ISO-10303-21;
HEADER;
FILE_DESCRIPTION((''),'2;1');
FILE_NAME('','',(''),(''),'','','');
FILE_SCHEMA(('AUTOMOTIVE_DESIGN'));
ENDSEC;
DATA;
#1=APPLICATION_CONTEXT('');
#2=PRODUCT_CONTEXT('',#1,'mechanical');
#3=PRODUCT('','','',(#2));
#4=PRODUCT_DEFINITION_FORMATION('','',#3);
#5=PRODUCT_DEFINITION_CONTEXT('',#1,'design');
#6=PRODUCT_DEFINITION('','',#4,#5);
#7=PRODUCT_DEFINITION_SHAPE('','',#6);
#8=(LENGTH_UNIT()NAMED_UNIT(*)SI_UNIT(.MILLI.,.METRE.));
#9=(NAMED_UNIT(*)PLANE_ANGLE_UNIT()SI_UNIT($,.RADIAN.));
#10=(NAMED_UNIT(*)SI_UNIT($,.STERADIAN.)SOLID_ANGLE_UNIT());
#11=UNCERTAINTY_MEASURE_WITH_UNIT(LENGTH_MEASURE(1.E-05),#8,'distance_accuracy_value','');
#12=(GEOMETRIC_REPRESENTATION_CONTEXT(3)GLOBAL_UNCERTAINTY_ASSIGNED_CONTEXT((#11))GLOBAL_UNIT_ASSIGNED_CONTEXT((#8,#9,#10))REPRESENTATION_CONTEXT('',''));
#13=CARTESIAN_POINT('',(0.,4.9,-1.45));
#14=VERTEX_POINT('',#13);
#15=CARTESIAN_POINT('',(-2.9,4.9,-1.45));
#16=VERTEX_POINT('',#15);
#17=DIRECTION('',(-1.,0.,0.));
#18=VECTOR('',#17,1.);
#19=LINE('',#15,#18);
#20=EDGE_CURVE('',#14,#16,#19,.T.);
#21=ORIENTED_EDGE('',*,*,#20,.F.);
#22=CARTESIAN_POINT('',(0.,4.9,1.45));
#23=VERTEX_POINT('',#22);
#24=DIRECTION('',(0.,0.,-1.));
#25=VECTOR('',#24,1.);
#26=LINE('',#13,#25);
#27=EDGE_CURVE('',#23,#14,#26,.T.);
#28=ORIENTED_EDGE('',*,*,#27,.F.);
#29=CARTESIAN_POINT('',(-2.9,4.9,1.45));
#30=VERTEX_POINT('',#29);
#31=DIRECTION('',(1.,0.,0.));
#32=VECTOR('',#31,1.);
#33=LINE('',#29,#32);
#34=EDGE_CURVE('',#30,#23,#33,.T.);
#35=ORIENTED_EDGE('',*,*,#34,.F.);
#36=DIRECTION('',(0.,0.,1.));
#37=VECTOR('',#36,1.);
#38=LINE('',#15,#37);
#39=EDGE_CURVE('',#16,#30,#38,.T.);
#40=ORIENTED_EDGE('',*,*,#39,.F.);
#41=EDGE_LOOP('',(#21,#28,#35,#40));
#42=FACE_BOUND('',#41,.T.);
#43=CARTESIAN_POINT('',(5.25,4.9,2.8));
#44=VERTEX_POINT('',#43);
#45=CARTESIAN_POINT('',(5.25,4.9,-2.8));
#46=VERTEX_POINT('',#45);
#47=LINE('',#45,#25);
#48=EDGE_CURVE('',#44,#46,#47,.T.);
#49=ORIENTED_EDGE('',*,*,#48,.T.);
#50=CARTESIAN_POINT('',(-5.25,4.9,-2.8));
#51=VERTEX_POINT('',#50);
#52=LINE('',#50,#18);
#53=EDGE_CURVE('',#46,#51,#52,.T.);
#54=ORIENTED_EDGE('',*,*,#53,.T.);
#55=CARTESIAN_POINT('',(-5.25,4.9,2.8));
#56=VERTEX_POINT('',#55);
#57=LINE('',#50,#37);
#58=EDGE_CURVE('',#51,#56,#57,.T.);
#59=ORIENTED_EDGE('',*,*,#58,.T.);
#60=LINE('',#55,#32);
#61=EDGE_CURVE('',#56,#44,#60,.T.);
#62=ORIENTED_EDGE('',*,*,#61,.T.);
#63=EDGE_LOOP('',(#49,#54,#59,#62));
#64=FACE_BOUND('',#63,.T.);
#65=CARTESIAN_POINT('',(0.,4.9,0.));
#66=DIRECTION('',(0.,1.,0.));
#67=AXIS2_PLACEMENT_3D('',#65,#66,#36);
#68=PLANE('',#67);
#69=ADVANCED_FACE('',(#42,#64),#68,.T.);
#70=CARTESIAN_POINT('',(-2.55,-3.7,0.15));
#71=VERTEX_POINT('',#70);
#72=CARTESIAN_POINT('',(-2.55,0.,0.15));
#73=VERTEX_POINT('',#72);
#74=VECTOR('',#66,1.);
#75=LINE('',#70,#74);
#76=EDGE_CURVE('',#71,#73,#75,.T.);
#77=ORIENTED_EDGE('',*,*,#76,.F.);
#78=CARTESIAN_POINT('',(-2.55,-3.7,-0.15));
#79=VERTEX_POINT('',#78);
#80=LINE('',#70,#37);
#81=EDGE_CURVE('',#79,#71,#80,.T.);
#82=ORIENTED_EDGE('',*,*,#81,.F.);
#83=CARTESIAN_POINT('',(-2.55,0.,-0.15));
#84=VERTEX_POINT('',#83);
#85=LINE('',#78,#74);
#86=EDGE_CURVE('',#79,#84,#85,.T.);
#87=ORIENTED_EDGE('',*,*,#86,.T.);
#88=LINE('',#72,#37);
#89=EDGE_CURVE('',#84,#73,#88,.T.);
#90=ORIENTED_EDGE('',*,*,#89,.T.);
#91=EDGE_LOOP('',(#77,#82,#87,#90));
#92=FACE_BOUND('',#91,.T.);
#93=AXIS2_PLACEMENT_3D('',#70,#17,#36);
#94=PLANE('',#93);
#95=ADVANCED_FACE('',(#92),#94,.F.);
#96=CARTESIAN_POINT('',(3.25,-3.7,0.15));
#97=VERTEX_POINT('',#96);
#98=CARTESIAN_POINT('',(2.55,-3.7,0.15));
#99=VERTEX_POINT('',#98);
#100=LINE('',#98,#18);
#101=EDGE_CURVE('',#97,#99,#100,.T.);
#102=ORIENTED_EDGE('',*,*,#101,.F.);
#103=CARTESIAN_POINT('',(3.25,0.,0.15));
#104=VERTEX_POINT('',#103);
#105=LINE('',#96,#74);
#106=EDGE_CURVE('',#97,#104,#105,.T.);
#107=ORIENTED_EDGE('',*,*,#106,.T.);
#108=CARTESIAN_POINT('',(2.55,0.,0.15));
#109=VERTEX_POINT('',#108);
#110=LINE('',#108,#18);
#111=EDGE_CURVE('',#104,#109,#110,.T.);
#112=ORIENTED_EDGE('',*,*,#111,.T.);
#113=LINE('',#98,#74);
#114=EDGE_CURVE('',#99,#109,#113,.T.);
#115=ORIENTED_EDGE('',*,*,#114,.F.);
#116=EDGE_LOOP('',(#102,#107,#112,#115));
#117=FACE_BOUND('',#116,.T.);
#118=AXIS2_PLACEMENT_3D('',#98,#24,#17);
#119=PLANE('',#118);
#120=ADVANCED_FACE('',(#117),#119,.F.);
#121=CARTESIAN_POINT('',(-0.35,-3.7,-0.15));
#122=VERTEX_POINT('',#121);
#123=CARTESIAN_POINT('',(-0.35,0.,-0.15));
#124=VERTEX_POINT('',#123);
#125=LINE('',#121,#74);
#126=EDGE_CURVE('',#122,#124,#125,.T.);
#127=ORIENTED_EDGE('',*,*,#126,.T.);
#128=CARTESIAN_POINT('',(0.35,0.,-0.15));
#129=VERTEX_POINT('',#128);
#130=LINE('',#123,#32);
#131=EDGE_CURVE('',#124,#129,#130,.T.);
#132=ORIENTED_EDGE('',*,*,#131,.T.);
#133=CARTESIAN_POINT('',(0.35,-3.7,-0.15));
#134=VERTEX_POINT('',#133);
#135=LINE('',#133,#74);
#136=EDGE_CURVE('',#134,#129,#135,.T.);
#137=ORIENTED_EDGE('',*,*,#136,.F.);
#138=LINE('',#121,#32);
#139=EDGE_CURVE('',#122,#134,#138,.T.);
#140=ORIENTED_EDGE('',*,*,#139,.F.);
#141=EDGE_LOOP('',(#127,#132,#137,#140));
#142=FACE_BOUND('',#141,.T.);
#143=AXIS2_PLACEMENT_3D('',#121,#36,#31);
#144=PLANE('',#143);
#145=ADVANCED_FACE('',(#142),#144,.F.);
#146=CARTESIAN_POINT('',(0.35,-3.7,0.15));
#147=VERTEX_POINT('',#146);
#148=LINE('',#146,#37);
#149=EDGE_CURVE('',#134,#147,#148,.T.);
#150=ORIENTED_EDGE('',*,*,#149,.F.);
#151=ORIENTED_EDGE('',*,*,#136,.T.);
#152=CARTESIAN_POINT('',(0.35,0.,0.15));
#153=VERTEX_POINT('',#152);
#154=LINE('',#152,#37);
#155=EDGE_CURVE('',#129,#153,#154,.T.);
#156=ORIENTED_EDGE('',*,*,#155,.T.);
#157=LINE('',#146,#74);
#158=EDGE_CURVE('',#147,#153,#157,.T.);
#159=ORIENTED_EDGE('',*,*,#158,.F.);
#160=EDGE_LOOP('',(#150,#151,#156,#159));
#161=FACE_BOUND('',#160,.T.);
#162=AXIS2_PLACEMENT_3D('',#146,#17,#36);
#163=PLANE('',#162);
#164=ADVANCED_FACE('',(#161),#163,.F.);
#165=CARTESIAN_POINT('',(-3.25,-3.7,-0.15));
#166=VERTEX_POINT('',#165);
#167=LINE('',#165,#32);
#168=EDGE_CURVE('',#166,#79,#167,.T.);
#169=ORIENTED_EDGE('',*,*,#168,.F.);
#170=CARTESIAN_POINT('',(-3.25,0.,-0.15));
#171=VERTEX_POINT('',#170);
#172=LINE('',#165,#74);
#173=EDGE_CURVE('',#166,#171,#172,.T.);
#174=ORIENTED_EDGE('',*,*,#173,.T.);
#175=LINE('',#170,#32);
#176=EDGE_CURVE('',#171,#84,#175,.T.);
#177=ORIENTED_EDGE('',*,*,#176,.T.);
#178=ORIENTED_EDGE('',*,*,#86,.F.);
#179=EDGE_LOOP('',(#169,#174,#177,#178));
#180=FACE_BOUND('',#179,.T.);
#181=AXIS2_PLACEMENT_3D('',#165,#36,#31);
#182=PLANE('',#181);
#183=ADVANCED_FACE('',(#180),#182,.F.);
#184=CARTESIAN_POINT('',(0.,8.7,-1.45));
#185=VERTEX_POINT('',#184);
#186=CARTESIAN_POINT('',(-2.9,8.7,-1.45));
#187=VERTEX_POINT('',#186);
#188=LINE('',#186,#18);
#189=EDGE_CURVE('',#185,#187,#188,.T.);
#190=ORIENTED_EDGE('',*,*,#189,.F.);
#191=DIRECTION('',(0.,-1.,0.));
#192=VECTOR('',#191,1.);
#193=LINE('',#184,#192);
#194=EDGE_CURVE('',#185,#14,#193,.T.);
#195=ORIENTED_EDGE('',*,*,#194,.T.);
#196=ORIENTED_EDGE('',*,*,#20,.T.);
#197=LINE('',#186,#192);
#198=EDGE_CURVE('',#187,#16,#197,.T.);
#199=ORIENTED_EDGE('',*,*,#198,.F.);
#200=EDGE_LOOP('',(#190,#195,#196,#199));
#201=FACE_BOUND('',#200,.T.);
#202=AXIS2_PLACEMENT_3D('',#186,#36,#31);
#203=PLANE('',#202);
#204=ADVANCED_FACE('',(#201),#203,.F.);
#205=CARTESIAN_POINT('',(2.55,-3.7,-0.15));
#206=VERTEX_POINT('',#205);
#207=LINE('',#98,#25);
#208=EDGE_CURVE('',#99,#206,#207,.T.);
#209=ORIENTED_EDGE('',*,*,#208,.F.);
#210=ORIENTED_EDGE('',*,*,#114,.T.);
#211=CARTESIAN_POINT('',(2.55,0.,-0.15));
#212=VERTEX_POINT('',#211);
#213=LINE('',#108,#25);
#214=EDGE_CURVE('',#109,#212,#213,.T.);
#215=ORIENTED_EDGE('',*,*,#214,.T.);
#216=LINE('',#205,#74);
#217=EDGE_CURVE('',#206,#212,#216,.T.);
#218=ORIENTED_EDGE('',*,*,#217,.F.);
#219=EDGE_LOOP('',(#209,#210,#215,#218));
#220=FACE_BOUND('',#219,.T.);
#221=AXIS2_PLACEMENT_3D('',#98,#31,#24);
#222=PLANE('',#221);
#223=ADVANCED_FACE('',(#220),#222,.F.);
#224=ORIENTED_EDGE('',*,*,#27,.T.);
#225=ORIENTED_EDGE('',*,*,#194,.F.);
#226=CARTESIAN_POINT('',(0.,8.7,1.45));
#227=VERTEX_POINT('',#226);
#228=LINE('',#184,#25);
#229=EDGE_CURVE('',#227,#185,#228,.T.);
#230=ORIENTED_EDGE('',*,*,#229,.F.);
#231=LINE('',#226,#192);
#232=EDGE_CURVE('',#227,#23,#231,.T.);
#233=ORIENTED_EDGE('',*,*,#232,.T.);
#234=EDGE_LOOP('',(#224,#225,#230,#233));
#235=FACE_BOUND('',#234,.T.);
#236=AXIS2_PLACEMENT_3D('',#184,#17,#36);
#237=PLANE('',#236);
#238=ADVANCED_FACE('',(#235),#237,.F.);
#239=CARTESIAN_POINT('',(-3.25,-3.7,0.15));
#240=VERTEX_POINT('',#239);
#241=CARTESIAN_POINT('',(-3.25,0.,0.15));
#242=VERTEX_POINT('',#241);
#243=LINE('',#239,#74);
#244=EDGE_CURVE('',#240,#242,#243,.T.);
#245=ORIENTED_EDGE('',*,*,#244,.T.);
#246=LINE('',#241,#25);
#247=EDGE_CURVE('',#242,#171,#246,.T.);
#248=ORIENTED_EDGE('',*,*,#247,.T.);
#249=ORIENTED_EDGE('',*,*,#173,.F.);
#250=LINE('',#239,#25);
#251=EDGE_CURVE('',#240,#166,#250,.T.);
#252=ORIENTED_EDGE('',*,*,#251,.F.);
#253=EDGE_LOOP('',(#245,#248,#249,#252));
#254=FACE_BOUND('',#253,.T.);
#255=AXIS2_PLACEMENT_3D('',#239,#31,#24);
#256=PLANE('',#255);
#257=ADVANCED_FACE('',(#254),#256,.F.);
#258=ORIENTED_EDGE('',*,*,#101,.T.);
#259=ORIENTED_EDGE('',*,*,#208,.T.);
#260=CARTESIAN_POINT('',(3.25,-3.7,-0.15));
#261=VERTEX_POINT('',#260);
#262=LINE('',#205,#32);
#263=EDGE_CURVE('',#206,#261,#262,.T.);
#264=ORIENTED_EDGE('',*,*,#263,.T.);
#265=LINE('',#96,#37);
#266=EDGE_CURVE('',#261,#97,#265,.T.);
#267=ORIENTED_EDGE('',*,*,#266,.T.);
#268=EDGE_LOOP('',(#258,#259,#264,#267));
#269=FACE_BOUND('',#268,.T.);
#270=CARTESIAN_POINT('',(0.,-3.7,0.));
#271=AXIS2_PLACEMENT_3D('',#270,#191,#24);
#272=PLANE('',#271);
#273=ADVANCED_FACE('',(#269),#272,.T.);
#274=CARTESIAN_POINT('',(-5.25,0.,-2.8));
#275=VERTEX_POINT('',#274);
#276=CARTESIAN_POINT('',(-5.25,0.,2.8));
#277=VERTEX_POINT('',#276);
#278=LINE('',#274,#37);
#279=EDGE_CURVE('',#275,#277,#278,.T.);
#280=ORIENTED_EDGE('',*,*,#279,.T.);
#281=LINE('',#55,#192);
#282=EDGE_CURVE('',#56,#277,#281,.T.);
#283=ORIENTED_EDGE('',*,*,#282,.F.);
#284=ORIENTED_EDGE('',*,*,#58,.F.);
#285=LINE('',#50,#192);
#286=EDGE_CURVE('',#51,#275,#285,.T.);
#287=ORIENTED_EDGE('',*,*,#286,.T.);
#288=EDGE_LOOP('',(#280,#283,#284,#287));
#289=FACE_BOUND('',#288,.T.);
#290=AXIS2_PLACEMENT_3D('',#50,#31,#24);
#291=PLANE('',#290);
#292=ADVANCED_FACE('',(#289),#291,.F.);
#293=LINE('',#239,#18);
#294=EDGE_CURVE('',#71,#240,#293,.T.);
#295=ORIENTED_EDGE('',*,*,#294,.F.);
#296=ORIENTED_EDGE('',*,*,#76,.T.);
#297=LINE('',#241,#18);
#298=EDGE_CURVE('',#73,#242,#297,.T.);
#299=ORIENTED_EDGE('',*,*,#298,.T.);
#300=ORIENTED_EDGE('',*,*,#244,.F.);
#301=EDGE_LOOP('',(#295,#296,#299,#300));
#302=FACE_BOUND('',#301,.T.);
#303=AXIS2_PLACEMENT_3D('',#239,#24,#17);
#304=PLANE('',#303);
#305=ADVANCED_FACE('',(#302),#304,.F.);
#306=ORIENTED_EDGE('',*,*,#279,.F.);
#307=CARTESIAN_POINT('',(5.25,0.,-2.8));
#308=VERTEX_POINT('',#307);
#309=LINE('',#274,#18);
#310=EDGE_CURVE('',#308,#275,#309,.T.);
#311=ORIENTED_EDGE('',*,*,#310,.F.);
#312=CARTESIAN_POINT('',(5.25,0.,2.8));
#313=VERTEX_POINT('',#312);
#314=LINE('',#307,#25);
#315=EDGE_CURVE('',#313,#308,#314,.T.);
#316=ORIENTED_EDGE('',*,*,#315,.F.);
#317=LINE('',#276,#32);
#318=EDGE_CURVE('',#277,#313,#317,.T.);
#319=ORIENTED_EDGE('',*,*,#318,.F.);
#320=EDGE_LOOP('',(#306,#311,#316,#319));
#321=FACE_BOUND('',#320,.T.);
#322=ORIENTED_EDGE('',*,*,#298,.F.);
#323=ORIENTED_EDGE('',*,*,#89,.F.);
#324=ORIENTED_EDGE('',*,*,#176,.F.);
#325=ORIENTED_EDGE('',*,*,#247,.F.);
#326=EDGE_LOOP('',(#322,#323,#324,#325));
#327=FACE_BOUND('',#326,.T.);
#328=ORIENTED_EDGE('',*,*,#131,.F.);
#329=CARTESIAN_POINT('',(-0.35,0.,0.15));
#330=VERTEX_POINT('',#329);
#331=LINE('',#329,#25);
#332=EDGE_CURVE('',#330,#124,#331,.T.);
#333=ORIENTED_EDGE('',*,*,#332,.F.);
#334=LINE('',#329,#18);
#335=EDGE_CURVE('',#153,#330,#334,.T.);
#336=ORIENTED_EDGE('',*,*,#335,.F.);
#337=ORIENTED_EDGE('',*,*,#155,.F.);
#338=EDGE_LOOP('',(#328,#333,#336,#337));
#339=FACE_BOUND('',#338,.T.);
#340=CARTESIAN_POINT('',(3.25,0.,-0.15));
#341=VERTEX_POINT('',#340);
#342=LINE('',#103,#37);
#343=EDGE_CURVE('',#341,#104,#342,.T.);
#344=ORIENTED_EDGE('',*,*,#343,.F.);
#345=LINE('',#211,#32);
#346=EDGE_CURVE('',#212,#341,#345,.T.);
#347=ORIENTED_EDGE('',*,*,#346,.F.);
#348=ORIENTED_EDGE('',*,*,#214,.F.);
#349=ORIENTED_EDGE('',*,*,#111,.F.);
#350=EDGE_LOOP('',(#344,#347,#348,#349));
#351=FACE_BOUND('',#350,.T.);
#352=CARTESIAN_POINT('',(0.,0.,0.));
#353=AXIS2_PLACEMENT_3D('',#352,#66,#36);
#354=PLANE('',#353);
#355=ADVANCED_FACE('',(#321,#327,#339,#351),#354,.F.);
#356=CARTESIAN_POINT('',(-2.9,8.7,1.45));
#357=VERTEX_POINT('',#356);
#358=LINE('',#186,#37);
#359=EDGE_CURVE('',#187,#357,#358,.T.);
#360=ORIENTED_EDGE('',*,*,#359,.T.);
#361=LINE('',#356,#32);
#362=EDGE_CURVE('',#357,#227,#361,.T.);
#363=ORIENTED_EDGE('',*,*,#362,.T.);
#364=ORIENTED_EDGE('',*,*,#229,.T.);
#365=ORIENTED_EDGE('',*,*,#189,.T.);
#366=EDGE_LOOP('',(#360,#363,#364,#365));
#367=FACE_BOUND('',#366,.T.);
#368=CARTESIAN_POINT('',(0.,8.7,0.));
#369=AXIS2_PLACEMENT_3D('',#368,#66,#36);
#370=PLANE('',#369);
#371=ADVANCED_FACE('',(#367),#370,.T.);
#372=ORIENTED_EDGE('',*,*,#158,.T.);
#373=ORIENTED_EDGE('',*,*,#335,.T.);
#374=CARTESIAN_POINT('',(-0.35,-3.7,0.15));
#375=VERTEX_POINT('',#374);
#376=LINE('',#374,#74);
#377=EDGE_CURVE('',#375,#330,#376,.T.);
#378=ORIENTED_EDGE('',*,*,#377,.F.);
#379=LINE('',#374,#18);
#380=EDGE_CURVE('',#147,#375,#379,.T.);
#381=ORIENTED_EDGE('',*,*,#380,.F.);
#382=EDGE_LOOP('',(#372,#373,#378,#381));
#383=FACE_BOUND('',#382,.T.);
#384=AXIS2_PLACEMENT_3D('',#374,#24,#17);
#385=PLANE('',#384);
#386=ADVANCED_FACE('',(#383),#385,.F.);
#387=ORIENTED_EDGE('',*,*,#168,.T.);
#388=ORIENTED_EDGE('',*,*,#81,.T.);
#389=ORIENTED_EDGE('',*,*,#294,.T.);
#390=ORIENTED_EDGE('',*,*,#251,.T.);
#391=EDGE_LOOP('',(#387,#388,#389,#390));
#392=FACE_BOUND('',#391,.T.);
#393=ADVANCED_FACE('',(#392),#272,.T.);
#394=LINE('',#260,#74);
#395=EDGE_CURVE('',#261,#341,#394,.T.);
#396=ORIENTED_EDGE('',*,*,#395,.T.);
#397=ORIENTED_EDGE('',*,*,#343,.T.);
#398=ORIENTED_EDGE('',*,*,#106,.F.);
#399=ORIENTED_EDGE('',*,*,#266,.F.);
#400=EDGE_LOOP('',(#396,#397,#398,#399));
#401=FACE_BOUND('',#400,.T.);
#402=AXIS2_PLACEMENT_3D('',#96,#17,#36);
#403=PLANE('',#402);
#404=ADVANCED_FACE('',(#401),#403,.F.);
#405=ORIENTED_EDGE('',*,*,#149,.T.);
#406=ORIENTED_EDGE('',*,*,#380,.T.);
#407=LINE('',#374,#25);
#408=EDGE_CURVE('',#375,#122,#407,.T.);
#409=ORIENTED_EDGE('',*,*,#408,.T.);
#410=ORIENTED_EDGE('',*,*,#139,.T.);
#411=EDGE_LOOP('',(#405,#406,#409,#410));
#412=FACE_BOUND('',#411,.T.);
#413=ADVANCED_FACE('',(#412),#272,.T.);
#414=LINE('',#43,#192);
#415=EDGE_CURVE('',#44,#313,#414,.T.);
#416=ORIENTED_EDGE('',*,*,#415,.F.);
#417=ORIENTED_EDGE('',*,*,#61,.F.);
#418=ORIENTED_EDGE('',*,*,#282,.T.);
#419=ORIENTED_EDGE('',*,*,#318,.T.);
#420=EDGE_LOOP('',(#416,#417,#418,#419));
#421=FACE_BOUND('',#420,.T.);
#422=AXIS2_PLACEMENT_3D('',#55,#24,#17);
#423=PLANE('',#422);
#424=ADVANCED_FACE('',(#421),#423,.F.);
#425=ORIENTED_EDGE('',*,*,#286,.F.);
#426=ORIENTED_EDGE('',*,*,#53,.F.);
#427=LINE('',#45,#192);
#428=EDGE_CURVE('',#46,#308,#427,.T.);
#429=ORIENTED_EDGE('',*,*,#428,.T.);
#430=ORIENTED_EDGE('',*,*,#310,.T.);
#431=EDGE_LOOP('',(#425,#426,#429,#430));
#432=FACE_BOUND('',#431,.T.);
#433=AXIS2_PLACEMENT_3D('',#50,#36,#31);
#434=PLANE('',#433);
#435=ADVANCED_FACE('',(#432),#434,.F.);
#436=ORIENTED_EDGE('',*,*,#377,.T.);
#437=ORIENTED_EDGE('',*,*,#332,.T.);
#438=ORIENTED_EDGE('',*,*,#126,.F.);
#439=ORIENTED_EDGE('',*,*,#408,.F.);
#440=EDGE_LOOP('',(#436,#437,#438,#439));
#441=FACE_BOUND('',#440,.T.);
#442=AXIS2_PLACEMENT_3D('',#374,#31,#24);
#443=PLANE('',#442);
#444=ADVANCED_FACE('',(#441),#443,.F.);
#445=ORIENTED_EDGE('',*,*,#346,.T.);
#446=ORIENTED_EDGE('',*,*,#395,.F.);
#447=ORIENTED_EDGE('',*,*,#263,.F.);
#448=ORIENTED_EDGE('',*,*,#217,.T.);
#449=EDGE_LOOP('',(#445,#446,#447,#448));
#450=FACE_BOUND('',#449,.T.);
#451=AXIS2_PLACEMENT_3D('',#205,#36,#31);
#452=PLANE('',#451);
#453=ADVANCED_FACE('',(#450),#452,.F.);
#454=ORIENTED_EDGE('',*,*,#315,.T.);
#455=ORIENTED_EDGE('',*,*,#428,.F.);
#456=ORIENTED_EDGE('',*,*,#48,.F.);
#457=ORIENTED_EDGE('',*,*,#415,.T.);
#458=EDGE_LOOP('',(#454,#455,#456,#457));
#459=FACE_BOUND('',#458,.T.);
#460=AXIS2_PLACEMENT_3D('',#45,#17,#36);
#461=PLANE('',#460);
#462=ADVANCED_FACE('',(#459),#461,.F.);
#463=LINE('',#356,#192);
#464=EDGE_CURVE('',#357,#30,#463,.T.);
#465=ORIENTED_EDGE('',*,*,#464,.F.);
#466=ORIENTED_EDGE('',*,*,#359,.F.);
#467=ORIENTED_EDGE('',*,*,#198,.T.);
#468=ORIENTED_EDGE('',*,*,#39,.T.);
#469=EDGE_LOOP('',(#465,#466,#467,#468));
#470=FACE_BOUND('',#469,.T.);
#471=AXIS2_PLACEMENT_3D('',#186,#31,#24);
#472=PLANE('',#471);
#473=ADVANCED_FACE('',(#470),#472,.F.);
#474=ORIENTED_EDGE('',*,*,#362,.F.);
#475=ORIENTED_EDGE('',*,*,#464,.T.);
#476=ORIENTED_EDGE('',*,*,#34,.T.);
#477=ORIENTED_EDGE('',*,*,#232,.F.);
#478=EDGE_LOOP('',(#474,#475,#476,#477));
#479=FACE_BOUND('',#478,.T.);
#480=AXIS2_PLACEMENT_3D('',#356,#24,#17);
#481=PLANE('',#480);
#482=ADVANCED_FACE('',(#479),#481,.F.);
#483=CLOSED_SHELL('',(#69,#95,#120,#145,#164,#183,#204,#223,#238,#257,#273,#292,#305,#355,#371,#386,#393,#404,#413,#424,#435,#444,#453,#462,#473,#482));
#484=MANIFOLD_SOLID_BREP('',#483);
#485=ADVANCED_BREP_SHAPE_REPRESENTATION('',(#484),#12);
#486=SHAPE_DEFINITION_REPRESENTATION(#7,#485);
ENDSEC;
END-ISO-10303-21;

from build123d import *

# Parameters (mm, degrees)
ESQUISSE1_W        = 10.5
ESQUISSE1_H        = 5.6
BOSS_EXTRU_1_DEPTH = 4.9
ESQUISSE2_W        = 2.9
ESQUISSE2_H        = 2.9
BOSS_EXTRU_2_DEPTH = 3.8
ESQUISSE3_W        = 0.7
ESQUISSE3_H        = 0.3
BOSS_EXTRU_3_DEPTH = 3.7


with BuildPart() as part:
    # Esquisse1 → Boss.-Extru.1 (new body)
    with BuildSketch(Plane(origin=(0, 0, 0), x_dir=(1, 0, 0), z_dir=(0, 1, 0))):
        Rectangle(ESQUISSE1_W, ESQUISSE1_H)
    extrude(amount=BOSS_EXTRU_1_DEPTH)

    # Esquisse2 → Boss.-Extru.2 (add)
    with BuildSketch(Plane(origin=(0, 4.9, 0), x_dir=(1, 0, 0), z_dir=(0, 1, 0))):
        with Locations((-1.45, 0)):
            Rectangle(ESQUISSE2_W, ESQUISSE2_H)
    extrude(amount=BOSS_EXTRU_2_DEPTH)

    # Esquisse3 → Boss.-Extru.3 (add)
    with BuildSketch(Plane.XZ):
        Rectangle(ESQUISSE3_W, ESQUISSE3_H)
        with Locations((2.9, 0)):
            Rectangle(ESQUISSE3_W, ESQUISSE3_H)
        with Locations((-2.9, 0)):
            Rectangle(ESQUISSE3_W, ESQUISSE3_H)
    extrude(amount=BOSS_EXTRU_3_DEPTH)


solid = part.part
